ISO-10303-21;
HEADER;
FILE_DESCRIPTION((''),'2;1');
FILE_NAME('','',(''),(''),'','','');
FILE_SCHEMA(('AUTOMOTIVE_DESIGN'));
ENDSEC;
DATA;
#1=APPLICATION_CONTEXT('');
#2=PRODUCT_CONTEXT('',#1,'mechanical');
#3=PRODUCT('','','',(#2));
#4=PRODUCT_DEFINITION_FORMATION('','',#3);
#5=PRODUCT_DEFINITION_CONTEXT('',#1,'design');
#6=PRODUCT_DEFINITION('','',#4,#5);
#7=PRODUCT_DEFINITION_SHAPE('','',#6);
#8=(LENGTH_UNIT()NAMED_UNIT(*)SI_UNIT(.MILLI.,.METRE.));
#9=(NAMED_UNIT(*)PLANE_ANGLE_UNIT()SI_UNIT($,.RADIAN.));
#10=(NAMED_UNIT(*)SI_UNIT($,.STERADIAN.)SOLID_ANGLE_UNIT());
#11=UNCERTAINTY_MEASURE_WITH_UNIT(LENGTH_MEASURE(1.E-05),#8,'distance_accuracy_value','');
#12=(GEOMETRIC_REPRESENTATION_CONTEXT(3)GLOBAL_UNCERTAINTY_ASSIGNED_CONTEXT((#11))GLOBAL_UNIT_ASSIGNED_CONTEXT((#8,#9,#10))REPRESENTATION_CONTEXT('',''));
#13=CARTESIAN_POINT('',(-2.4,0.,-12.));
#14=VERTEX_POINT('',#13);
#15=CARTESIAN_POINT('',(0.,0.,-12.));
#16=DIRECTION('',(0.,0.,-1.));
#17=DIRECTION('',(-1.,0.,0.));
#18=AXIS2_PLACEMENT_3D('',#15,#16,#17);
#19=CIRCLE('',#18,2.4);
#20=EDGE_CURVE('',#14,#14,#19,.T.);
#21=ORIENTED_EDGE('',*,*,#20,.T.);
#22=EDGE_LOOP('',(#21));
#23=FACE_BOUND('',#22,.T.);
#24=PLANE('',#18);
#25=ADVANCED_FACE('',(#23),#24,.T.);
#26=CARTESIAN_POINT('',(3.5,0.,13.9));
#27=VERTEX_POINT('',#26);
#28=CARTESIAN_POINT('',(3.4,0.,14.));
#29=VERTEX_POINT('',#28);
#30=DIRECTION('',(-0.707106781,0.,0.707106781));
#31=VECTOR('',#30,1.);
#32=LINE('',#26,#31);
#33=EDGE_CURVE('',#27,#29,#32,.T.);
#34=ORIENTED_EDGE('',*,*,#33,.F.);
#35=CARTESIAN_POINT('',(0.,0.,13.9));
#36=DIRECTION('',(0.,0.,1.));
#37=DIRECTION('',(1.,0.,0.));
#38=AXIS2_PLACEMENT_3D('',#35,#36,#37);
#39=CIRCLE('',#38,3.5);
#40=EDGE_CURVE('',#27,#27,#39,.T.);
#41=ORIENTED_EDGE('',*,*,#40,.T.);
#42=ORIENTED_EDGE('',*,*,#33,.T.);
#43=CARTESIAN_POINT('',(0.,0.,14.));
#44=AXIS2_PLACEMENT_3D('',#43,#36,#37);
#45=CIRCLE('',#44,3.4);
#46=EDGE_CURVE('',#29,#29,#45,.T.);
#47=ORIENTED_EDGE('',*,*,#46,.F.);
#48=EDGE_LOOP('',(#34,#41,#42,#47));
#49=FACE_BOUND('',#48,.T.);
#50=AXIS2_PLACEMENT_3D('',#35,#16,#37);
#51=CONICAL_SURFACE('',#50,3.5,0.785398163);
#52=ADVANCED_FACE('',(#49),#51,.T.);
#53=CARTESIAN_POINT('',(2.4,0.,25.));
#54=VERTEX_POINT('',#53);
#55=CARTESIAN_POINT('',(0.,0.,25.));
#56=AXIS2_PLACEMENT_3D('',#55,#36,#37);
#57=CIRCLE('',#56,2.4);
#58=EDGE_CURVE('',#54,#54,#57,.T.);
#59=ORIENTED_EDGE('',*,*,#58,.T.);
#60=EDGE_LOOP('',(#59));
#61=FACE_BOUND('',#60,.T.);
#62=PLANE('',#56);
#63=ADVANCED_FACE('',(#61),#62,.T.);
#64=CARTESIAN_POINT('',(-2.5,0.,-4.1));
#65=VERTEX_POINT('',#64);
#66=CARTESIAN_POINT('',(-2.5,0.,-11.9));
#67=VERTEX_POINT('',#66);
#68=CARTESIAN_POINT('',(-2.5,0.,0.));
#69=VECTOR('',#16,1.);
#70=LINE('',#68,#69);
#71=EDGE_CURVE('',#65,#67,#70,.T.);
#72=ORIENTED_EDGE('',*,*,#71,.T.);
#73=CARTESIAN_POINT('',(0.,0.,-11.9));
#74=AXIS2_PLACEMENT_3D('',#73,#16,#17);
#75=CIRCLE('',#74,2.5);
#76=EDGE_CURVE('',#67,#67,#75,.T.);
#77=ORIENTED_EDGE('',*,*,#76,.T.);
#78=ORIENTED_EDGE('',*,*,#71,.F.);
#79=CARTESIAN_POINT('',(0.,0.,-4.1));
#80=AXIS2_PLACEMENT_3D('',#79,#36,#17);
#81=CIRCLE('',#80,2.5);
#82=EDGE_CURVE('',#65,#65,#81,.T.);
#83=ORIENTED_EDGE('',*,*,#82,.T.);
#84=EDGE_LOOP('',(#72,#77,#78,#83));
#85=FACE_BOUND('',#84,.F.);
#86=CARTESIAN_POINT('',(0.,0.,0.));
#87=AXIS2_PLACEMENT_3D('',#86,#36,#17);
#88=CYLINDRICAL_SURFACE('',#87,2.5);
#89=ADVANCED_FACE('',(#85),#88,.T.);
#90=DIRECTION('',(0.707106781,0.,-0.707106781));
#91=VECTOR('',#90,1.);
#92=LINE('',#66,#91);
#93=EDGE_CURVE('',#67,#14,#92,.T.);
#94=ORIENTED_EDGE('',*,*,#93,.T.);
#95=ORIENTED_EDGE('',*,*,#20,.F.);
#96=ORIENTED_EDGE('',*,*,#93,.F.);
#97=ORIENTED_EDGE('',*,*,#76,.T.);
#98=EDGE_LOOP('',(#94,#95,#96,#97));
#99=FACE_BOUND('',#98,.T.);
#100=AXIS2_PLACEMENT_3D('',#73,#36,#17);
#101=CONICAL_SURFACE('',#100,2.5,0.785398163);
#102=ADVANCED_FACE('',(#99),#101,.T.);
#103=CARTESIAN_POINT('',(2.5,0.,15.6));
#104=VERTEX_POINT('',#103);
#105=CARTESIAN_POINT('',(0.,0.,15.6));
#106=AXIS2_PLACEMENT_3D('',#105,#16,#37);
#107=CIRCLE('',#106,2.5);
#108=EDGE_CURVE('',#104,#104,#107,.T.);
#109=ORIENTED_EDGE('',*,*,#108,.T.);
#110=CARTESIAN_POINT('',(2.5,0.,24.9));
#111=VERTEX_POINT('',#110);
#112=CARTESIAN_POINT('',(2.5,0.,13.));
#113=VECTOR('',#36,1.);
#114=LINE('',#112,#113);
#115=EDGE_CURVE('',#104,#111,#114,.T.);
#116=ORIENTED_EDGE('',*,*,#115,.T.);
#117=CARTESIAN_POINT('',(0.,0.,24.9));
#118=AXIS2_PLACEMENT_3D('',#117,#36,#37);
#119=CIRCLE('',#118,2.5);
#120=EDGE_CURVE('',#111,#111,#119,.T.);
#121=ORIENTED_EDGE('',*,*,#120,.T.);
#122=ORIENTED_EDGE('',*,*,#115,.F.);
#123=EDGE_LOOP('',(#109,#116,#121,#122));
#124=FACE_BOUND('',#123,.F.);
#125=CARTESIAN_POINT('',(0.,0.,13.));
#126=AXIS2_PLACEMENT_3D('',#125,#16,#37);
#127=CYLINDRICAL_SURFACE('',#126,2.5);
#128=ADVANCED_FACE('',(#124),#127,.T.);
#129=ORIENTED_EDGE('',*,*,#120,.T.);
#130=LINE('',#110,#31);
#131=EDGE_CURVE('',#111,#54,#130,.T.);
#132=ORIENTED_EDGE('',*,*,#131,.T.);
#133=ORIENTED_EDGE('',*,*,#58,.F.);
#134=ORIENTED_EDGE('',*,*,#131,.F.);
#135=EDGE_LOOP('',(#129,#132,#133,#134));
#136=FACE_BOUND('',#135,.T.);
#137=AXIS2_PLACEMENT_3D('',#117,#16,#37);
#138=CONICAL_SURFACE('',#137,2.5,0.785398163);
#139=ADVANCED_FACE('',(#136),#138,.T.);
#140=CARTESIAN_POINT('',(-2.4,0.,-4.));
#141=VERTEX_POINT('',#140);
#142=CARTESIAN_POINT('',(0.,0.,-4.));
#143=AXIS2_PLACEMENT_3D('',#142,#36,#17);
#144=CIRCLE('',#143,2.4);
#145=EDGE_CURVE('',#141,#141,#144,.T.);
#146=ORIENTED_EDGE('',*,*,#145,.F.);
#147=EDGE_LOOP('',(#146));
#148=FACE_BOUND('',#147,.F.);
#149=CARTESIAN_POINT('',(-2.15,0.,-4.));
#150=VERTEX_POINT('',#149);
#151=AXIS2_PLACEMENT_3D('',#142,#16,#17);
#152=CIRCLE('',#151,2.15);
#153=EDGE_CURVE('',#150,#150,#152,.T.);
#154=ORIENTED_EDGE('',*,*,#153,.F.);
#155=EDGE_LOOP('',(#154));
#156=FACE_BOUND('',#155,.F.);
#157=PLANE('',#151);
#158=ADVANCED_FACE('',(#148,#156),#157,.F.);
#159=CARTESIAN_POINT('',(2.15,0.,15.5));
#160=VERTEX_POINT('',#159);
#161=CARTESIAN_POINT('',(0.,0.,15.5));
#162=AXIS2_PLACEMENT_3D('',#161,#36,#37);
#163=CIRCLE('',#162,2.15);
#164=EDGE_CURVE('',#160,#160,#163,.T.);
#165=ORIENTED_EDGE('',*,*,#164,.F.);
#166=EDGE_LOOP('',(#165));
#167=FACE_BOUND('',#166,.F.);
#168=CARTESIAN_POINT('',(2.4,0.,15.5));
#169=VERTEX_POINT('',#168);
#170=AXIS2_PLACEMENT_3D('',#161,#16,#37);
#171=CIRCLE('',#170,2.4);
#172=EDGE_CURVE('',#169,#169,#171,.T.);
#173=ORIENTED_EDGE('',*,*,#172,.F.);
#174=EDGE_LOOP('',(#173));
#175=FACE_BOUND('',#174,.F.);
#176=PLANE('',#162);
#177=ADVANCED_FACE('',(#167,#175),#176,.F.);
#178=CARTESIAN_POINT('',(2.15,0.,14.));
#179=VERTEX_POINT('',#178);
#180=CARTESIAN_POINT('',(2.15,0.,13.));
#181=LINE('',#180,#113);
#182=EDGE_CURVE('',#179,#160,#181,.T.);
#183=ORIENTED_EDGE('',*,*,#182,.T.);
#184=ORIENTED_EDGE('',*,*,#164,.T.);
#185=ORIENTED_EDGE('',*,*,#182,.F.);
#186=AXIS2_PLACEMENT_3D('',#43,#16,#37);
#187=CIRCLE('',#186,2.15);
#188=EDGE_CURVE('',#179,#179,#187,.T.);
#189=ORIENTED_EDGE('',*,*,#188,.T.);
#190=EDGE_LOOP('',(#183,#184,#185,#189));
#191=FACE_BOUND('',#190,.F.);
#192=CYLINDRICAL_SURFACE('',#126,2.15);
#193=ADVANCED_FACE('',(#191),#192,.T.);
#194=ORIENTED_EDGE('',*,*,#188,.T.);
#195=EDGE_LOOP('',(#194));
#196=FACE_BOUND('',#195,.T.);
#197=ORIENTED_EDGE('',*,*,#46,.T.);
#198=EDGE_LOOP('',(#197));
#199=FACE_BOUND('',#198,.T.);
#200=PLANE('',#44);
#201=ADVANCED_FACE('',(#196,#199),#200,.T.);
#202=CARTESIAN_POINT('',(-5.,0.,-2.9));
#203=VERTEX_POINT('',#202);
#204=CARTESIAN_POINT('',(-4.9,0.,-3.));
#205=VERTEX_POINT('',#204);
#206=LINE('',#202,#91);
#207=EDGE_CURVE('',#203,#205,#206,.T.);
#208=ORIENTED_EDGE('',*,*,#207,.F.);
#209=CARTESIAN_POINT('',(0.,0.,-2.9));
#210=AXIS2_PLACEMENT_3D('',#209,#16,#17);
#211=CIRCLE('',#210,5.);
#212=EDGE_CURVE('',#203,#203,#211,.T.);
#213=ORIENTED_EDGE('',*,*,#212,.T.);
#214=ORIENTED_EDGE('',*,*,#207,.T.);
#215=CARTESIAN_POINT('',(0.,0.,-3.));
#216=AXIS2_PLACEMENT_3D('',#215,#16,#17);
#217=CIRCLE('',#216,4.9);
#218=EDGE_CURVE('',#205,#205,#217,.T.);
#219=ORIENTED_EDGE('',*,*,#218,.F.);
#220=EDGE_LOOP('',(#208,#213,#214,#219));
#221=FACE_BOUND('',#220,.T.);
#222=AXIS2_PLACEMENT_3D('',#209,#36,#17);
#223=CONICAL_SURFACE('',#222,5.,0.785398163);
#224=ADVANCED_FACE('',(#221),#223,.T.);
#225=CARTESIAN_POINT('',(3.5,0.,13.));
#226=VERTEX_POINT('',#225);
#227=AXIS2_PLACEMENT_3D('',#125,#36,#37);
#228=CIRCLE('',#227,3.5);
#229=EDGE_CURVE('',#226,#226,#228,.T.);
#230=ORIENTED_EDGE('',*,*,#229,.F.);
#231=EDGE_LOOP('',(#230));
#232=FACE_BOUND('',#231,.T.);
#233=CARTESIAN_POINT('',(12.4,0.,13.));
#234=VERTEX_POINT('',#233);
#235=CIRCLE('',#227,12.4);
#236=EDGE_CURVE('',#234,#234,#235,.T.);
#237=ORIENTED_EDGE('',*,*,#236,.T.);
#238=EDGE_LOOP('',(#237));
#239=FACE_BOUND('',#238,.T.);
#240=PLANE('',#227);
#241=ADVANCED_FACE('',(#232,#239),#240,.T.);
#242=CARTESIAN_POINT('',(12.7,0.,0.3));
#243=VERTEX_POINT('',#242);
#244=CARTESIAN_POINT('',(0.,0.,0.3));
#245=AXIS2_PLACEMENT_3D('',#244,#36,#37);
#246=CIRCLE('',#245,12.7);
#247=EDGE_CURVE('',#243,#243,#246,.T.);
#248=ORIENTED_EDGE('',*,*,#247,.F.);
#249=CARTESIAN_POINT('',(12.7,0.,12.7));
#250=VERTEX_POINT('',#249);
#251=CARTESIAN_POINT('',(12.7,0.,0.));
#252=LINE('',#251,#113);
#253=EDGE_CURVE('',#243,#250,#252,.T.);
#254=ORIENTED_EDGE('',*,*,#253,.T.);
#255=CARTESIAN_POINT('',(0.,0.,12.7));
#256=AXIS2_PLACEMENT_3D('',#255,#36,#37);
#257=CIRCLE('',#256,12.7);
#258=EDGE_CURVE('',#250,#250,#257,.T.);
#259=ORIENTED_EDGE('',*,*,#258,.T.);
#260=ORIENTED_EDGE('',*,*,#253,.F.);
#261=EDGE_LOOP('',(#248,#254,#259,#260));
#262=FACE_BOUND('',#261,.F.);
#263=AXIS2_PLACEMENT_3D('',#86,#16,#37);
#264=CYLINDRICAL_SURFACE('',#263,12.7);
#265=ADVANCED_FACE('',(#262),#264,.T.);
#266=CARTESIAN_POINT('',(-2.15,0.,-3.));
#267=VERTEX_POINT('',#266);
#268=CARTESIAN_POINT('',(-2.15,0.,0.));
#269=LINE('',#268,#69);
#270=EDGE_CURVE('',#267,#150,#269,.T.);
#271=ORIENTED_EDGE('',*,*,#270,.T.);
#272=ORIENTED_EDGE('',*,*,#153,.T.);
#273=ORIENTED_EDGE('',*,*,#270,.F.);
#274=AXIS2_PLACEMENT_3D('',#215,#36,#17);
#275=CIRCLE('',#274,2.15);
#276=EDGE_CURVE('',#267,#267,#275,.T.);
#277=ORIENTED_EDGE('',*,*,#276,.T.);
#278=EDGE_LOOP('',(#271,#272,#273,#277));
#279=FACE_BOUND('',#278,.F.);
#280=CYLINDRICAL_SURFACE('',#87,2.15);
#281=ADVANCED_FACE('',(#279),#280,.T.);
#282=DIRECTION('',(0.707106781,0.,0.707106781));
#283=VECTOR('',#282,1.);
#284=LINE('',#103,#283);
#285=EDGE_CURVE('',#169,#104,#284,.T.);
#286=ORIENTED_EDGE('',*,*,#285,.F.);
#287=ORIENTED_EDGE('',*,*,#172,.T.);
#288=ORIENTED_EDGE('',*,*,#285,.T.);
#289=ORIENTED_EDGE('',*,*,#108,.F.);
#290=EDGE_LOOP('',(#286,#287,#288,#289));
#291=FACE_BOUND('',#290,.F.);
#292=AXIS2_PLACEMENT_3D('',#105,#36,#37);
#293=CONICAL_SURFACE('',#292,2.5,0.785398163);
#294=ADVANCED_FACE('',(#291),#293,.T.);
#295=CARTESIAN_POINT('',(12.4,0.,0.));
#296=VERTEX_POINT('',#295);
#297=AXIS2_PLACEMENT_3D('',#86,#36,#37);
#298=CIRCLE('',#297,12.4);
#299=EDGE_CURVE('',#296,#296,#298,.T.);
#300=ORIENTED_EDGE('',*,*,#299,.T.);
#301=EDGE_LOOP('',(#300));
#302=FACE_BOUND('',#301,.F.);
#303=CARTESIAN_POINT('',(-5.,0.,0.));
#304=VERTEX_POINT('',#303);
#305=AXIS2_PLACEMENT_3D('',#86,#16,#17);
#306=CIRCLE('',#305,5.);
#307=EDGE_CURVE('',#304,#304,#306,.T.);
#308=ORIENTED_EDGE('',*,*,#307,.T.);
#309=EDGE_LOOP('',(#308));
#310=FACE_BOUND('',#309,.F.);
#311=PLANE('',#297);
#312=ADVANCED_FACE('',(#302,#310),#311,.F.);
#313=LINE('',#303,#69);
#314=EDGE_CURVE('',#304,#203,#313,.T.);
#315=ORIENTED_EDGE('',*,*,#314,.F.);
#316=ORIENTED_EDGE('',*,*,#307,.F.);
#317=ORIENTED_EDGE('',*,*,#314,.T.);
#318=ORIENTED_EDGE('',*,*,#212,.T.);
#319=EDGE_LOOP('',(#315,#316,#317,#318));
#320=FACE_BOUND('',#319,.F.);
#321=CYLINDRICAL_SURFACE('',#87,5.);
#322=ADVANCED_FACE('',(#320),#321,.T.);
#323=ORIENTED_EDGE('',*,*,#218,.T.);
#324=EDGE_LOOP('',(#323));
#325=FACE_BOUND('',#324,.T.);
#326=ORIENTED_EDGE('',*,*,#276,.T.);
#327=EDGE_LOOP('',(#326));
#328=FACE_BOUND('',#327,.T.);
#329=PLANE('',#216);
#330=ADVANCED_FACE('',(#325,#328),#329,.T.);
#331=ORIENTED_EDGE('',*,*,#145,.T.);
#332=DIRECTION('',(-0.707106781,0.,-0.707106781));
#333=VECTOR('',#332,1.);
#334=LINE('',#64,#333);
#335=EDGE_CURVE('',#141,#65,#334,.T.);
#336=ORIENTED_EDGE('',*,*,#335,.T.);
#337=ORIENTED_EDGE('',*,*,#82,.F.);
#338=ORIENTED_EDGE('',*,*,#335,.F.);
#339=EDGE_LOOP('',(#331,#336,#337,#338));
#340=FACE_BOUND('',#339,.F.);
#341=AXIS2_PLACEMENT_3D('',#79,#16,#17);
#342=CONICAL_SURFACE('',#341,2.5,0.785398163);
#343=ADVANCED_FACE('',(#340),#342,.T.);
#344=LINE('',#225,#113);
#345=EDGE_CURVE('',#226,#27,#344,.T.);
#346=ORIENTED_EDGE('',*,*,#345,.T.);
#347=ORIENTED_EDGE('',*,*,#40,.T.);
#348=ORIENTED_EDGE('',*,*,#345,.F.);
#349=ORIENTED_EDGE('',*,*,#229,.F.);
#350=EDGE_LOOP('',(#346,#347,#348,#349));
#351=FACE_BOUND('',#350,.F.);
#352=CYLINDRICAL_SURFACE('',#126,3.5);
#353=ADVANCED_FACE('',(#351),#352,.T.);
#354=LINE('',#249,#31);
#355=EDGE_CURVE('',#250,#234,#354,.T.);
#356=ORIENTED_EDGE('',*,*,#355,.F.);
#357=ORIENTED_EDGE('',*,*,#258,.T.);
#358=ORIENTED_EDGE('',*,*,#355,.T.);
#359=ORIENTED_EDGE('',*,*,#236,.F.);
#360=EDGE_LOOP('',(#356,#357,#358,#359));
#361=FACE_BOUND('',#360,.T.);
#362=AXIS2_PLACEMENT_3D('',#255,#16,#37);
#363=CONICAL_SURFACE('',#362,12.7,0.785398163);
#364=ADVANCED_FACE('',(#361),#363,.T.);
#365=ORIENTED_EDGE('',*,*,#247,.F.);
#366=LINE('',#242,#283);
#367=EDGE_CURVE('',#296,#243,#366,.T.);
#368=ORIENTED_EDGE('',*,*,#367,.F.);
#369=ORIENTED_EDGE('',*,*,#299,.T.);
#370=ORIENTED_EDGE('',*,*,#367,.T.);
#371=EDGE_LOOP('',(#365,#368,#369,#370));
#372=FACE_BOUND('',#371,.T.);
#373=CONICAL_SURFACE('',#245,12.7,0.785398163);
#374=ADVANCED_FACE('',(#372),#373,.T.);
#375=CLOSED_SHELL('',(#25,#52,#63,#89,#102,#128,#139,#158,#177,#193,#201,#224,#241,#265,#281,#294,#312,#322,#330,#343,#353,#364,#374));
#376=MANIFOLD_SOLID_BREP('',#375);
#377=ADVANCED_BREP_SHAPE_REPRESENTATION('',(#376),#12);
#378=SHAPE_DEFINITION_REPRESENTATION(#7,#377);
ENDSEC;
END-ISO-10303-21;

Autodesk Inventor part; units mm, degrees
ref_plane "YZ Plane" through (0, 0, 0) normal (1, 0, 0) x (0, 1, 0)
ref_plane "XZ Plane" through (0, 0, 0) normal (0, 1, 0) x (-1, 0, 0)
ref_plane "XY Plane" through (0, 0, 0) normal (0, 0, 1) x (1, 0, 0)
sketch "Sketch1" plane through (0, 0, 0) normal (0, 0, 1) x (1, 0, 0)
  circle A0 centre (0, 0) radius 12.7
  dimension "d0" = 25.4
extrude "Extrusion1" add sketch "Sketch1" along normal blind 13
sketch "Sketch2" plane through (0, 0, 13) normal (0, 0, 1) x (1, 0, 0)
  circle A0 centre (0, 0) radius 2.5
  dimension "d3" = 5
extrude "Extrusion2" add sketch "Sketch2" along normal blind 12
sketch "Sketch3" plane through (0, 0, 0) normal (0, 0, -1) x (-1, 0, 0)
  circle A0 centre (0, 0) radius 2.5
  dimension "d6" = 5
extrude "Extrusion3" add sketch "Sketch3" along normal blind 12
sketch "Sketch4" plane through (0, 0, 13) normal (0, 0, 1) x (1, 0, 0)
  circle A0 centre (0, 0) radius 2.15
  circle A1 centre (0, 0) radius 3.5
  dimension "d9" = 4.3
  dimension "d10" = 7
extrude "Extrusion4" cut sketch "Sketch4" along normal blind 2.5
sketch "Sketch5" plane through (0, 0, 0) normal (0, 0, -1) x (-1, 0, 0)
  circle A0 centre (0, 0) radius 3
  circle A1 centre (0, 0) radius 2.15
  dimension "d13" = 6
  dimension "d14" = 4.3
extrude "Extrusion5" cut sketch "Sketch5" along normal blind 4
sketch "Sketch6" plane through (0, 0, 13) normal (0, 0, 1) x (1, 0, 0)
  circle A0 centre (0, 0) radius 3.5
  dimension "d17" = 7
extrude "Extrusion6" add sketch "Sketch6" along normal blind 1
sketch "Sketch7" plane through (0, 0, 0) normal (0, 0, -1) x (-1, 0, 0)
  circle A0 centre (0, 0) radius 5
  dimension "d20" = 10
extrude "Extrusion7" add sketch "Sketch7" along normal blind 3
chamfer "Chamfer1" distance 0.1 angle 45 6 edges at (-2.5, 0, 25) (-2.5, 0, 15.5) (-3.5, 0, 14) (2.5, 0, -12) (2.5, 0, -4) (5, 0, -3)
chamfer "Chamfer2" distance 0.3 angle 45 2 edges at (-12.7, 0, 13) (-12.7, 0, 0)
thread "Thread1" size "M5x0.8" class "6g" standard "ANSI Metric M Profile" full length
thread "Thread2" size "M5x0.8" class "6g" standard "ANSI Metric M Profile" full length
properties part number "Force_Sensor"
